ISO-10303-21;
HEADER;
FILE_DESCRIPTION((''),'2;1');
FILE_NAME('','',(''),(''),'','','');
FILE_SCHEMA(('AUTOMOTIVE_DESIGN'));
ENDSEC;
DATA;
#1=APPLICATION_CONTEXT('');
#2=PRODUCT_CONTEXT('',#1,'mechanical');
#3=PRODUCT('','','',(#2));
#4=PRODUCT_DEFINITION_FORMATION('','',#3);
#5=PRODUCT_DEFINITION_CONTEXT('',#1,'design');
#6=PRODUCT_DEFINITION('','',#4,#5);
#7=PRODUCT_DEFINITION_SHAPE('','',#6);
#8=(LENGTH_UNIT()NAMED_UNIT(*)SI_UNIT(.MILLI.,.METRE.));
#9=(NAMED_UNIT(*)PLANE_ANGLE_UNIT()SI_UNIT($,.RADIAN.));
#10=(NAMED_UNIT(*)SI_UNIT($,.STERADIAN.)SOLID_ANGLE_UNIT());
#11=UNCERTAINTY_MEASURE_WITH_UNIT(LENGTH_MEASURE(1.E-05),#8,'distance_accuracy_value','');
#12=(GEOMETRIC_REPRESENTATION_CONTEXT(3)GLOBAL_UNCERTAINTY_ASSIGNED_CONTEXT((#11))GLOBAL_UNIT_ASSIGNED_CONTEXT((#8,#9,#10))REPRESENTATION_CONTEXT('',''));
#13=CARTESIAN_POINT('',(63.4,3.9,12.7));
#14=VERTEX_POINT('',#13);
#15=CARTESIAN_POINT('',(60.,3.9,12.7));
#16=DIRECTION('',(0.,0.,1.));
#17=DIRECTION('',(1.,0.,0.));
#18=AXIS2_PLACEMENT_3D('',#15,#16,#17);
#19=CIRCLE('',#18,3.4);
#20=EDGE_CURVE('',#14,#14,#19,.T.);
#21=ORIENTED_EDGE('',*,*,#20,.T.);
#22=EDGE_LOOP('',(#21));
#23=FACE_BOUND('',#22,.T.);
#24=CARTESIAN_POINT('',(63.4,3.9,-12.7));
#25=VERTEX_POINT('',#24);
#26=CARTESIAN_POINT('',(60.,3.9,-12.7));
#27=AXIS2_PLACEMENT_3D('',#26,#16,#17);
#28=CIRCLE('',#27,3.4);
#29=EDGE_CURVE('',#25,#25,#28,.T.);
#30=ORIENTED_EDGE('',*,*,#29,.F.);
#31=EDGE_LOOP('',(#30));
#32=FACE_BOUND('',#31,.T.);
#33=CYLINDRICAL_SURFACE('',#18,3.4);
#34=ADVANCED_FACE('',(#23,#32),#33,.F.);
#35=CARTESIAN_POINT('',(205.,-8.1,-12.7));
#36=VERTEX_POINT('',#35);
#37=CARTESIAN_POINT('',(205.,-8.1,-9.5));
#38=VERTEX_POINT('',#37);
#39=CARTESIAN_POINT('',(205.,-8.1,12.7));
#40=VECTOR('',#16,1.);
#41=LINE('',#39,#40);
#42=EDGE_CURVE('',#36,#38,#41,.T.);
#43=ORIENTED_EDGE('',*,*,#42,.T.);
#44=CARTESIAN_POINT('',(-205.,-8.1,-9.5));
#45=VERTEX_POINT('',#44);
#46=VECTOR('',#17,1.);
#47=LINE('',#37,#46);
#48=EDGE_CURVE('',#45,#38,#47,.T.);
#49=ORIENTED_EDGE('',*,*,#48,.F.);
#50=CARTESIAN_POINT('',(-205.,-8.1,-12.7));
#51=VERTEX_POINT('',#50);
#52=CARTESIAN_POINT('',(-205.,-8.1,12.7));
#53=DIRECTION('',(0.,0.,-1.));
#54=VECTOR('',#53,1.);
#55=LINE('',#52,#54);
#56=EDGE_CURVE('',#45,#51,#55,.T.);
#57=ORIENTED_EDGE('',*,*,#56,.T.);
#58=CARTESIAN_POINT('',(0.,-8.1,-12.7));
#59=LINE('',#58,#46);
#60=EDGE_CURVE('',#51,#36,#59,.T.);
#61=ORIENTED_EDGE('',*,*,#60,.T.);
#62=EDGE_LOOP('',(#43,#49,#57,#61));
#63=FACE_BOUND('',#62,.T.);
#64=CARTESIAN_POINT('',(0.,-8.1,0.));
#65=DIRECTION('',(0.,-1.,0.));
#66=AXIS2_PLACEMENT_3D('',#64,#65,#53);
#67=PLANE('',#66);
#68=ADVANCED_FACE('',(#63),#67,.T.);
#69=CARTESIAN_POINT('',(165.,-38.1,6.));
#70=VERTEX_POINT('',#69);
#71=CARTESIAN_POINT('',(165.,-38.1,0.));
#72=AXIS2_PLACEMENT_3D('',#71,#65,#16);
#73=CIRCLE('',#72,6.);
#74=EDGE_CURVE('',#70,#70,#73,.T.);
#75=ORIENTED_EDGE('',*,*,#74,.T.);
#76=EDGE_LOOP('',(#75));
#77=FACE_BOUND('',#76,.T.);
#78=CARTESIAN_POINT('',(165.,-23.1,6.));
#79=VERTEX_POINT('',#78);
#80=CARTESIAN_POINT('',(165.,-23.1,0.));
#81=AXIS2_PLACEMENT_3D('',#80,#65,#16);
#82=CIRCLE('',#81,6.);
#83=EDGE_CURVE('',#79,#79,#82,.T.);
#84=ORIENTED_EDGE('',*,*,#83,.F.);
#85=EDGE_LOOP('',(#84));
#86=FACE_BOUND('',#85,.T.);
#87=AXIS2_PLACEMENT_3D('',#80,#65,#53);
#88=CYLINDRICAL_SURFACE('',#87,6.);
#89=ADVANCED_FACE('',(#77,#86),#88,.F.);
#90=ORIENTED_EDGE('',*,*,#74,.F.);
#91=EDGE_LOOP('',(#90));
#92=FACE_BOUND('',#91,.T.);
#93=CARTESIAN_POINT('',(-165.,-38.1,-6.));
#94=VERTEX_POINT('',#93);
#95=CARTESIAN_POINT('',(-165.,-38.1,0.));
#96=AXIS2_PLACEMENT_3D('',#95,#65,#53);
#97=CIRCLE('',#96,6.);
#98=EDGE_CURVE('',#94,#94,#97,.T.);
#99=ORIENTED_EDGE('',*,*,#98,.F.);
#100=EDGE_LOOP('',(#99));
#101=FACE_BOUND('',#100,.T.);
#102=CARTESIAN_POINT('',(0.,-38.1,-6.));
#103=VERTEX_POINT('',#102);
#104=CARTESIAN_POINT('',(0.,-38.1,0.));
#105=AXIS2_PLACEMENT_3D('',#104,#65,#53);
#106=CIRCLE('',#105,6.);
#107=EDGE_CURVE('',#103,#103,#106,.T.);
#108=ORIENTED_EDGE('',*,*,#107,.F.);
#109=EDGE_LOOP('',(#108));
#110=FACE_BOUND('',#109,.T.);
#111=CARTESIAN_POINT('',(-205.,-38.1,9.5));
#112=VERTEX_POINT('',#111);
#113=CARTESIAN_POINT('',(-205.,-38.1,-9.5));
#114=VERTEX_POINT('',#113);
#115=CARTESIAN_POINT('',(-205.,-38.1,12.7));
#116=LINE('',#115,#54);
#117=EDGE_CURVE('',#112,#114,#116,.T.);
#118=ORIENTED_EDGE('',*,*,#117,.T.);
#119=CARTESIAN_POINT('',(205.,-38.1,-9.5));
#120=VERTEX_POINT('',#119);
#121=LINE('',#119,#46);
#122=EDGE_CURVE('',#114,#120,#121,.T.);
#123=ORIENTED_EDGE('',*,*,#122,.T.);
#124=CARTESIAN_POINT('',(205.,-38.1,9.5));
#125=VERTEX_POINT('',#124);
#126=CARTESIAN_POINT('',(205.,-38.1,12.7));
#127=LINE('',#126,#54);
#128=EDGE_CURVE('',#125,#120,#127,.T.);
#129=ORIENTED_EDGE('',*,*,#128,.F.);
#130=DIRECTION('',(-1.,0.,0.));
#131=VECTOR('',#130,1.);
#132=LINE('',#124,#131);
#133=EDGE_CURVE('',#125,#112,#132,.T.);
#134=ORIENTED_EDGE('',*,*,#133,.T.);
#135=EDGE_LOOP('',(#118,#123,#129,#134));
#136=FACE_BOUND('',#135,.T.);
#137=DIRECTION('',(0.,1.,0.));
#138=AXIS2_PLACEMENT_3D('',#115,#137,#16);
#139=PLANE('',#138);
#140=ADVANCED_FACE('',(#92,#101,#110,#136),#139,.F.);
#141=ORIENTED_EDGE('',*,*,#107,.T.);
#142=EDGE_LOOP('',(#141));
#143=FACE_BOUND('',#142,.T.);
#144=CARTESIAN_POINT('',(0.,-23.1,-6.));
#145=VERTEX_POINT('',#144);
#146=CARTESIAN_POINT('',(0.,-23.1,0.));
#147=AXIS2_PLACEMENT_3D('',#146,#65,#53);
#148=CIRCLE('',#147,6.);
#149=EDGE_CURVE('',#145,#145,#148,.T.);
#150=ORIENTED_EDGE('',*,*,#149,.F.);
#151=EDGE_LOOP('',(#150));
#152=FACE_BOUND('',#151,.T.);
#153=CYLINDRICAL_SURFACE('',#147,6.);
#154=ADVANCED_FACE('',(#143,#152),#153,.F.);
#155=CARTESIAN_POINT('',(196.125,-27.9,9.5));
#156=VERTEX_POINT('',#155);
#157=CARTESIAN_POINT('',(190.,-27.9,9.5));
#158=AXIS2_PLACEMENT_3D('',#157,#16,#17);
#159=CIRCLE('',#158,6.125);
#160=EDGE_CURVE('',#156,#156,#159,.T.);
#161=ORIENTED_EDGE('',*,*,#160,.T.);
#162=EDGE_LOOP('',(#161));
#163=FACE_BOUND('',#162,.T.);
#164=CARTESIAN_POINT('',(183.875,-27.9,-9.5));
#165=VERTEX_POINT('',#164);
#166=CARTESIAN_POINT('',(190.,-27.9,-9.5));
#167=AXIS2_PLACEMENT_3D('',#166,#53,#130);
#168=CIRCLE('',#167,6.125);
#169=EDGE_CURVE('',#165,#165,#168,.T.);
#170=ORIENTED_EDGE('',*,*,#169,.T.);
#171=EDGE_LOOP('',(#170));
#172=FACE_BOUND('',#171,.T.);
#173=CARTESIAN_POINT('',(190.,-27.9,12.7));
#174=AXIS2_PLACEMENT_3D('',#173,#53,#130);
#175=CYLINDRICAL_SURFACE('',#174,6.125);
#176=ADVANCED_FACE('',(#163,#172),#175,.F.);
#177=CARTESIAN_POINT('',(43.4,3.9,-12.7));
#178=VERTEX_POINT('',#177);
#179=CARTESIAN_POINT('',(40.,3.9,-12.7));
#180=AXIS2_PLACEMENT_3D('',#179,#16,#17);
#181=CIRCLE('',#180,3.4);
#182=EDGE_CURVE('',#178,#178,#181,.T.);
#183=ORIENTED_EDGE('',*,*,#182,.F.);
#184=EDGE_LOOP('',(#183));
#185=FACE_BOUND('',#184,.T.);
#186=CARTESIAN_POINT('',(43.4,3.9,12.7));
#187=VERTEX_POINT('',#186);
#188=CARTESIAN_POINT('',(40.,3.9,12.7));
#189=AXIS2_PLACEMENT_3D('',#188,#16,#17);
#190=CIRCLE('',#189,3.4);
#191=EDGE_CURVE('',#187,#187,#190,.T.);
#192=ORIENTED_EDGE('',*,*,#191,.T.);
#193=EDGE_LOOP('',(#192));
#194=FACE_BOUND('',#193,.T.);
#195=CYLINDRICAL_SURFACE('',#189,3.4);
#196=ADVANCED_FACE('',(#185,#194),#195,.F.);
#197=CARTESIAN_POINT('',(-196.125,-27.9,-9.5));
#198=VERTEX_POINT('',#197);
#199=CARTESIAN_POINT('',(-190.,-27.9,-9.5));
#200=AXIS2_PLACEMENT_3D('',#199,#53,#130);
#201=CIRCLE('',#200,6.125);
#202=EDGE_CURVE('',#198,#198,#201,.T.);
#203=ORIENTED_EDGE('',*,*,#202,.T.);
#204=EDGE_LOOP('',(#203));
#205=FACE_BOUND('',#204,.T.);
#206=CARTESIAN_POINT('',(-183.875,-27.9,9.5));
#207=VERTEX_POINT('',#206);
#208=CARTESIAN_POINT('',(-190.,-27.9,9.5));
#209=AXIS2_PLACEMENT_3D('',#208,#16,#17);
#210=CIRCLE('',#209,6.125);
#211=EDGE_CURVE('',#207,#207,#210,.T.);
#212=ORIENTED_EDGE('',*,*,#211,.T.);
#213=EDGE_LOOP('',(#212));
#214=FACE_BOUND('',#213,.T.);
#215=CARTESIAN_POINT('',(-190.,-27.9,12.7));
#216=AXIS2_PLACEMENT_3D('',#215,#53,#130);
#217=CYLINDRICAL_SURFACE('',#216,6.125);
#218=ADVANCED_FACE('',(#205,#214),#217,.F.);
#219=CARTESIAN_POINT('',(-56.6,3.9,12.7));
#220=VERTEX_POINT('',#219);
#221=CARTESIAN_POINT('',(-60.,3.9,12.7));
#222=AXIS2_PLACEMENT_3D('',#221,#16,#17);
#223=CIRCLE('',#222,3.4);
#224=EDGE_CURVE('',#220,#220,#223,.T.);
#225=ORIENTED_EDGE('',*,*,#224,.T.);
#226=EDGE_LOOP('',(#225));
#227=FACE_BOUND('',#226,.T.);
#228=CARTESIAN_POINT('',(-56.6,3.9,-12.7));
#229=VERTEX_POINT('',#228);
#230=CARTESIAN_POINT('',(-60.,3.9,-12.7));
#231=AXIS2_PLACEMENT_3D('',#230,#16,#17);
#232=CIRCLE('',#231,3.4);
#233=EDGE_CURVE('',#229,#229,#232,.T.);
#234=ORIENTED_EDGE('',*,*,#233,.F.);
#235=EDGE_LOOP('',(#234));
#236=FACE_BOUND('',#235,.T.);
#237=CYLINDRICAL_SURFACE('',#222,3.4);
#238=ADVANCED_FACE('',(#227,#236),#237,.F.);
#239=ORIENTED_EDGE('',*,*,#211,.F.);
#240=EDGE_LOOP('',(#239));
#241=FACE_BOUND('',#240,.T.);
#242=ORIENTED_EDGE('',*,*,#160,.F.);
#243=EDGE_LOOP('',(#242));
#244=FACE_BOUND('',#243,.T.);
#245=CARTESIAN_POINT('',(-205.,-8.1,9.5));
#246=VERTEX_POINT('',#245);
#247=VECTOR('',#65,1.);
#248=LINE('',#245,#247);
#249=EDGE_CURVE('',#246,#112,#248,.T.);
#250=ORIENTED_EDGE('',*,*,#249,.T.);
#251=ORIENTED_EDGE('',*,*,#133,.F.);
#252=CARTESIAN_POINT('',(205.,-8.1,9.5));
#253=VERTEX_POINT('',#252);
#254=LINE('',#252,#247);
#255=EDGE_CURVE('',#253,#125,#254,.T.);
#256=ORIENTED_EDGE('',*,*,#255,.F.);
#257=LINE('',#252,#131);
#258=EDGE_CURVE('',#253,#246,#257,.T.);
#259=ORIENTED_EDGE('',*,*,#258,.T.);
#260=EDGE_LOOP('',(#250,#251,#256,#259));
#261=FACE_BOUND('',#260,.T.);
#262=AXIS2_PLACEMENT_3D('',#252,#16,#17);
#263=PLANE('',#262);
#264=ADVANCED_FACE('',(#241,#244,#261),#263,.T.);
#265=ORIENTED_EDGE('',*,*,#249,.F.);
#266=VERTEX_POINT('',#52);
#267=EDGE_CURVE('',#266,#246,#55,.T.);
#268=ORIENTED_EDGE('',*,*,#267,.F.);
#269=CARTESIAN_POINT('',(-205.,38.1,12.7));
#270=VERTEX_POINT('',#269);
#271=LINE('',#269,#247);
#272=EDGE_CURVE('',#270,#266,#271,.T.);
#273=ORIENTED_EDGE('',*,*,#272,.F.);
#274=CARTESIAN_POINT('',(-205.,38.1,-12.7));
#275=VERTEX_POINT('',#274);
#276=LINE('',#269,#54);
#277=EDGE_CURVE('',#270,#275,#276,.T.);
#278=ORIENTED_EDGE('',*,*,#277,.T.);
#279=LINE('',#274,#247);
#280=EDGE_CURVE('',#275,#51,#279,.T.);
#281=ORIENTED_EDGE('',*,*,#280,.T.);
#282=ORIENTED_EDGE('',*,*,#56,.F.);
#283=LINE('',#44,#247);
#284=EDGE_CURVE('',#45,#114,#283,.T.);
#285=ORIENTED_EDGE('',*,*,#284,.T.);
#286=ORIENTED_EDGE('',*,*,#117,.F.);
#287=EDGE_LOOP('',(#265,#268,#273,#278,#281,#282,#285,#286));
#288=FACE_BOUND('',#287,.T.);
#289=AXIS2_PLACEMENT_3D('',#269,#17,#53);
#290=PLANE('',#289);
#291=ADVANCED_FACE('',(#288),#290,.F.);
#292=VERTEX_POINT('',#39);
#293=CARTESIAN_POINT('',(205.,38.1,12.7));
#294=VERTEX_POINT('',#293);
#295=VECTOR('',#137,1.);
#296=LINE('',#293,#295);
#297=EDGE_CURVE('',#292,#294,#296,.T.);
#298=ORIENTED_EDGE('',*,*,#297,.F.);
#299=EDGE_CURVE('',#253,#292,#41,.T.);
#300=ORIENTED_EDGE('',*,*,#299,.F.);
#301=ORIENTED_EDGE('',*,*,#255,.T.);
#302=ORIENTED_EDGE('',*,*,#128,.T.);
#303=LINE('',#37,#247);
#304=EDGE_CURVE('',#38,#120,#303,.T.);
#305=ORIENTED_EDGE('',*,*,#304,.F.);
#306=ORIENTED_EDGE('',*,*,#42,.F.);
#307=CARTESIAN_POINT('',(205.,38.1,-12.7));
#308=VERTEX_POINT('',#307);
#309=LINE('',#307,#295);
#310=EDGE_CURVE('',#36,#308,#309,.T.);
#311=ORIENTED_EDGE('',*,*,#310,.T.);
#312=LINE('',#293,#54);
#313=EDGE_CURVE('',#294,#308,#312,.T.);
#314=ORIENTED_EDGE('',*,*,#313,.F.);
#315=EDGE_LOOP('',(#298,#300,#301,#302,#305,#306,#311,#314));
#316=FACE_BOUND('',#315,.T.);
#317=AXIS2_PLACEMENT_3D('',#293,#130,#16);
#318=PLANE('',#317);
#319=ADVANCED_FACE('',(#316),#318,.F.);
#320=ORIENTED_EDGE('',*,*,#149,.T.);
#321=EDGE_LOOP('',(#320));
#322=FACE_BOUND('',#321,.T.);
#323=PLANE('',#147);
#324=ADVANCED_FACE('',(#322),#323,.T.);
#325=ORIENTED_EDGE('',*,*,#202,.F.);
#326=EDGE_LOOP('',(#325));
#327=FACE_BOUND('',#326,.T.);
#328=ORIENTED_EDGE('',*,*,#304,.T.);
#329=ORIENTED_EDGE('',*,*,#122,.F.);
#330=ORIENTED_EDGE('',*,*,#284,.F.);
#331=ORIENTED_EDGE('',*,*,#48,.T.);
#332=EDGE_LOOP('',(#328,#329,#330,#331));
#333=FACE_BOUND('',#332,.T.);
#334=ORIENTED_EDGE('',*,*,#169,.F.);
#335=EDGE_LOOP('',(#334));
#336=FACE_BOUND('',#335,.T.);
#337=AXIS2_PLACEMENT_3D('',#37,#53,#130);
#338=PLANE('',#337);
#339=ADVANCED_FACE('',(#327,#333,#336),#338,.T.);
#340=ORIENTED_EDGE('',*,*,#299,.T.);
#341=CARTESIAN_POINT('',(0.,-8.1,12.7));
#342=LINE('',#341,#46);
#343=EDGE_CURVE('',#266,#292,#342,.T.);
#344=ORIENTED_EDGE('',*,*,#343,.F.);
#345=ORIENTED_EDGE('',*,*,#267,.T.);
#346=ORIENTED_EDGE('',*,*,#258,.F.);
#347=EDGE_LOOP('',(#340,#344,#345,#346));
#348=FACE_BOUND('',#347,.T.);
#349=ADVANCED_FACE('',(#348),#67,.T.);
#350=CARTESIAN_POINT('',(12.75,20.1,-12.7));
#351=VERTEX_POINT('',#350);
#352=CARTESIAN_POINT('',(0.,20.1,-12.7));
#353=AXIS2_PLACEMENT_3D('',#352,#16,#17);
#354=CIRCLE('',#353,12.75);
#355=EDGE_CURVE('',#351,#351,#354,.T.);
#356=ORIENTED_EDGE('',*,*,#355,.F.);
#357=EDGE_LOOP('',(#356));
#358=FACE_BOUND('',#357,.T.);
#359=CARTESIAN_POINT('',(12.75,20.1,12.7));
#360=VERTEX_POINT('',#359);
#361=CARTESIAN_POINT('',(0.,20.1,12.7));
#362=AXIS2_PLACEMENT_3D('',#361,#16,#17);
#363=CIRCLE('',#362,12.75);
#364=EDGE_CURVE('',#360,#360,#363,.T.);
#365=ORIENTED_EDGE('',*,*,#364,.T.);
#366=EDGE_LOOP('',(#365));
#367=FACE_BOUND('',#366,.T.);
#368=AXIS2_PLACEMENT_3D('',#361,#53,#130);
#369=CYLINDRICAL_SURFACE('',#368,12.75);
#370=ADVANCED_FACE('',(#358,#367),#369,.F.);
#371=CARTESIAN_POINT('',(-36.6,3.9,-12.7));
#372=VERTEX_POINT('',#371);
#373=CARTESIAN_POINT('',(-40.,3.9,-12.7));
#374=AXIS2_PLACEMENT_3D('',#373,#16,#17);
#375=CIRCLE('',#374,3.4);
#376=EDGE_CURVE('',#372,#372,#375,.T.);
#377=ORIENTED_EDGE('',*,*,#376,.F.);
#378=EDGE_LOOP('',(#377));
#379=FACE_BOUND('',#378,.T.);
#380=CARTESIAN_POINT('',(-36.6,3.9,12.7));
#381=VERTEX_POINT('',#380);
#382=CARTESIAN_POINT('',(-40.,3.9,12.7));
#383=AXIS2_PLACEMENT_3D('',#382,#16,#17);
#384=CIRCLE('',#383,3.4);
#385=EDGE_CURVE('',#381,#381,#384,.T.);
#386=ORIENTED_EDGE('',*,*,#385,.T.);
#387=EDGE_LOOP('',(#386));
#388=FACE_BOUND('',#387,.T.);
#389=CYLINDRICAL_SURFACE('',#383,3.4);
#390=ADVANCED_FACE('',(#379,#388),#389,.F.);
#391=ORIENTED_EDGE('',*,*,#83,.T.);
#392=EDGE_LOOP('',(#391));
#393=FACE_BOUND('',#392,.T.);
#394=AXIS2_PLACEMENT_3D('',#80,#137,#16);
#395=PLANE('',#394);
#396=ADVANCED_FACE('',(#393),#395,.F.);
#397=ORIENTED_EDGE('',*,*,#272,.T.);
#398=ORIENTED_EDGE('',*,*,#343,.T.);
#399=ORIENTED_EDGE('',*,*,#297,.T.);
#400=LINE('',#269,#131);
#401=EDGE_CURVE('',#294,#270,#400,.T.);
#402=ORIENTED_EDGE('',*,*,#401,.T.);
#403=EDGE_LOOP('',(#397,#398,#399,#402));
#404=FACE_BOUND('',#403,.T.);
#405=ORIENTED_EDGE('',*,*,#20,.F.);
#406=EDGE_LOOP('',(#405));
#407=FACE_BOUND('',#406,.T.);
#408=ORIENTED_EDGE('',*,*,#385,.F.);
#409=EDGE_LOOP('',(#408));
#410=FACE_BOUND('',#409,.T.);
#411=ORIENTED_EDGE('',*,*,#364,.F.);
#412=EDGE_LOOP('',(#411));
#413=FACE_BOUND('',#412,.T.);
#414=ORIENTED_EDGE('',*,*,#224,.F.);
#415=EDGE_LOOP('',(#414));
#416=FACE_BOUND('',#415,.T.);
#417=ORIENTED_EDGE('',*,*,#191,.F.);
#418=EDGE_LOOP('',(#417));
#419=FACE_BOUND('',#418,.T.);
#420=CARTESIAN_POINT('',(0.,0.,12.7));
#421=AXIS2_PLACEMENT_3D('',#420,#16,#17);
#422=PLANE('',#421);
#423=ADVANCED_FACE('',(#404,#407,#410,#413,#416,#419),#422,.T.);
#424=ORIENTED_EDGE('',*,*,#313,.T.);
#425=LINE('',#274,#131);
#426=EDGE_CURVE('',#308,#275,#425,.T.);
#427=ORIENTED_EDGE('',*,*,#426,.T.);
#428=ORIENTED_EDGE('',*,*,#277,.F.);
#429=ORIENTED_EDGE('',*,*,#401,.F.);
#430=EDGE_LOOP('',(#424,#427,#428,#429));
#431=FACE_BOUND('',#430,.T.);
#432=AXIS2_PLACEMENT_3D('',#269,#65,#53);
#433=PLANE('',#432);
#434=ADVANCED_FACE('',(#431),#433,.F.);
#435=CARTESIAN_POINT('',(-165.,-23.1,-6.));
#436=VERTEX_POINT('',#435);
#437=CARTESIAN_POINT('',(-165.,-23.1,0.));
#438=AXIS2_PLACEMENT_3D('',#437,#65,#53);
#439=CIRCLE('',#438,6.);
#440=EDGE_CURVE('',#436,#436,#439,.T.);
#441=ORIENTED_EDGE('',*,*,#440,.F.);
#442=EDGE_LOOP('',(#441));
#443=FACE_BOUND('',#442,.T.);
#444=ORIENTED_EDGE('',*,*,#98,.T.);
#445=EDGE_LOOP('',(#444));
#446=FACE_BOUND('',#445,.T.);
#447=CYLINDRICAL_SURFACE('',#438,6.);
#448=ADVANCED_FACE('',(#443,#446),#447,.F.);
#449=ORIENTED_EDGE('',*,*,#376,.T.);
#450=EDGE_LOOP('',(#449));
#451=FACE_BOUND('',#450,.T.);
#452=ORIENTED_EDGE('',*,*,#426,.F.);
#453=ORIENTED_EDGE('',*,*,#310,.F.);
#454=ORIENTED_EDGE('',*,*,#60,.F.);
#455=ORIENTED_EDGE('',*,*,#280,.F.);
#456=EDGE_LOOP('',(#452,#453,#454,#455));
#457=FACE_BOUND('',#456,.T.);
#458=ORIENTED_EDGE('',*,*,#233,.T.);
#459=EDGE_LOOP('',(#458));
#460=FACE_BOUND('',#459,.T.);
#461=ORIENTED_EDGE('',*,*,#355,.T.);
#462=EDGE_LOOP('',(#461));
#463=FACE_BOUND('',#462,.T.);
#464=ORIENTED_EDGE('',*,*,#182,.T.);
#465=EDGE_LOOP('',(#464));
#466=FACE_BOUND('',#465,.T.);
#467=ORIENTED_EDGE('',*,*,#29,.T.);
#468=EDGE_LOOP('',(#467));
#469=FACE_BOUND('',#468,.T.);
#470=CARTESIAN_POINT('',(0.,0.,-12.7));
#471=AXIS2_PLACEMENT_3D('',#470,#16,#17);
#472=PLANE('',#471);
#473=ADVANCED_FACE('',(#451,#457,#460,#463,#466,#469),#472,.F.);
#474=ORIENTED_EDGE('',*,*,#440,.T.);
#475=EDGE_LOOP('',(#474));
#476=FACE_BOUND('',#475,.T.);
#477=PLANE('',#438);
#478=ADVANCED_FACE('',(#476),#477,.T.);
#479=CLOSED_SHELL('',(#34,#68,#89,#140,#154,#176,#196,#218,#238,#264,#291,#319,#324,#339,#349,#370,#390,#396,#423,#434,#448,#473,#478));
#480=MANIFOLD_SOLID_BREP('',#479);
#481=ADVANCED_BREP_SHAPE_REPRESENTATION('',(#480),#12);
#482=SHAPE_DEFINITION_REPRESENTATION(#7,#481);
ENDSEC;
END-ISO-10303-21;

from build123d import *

# Parameters (mm, degrees)
SKETCH1_W           = 410
SKETCH1_H           = 76.2
SKETCH1_R           = 12.75
SKETCH1_R_2         = 6.125
BOSS_EXTRUDE1_DEPTH = 12.7
SKETCH2_R           = 6
CUT_EXTRUDE1_DEPTH  = 15
SKETCH4_OUTSIDE_W   = 495.558
SKETCH4_OUTSIDE_H   = 110.958
SKETCH4_OUTSIDE_W_2 = 410
SKETCH4_OUTSIDE_H_2 = 19
CUT_EXTRUDE2_DEPTH  = 30
M8_TAPPED_HOLE1_D   = 6.8


with BuildPart() as part:
    # Sketch1 → Boss-Extrude1 (new body, symmetric)
    with BuildSketch(Plane.XY):
        Rectangle(SKETCH1_W, SKETCH1_H)
        with Locations((0, 20.1)):
            Circle(SKETCH1_R, mode=Mode.SUBTRACT)
        with Locations((190, -27.9)):
            Circle(SKETCH1_R_2, mode=Mode.SUBTRACT)
        with Locations((-190, -27.9)):
            Circle(SKETCH1_R_2, mode=Mode.SUBTRACT)
    extrude(amount=BOSS_EXTRUDE1_DEPTH, both=True)

    # Sketch2 → Cut-Extrude1 (cut)
    with BuildSketch(Plane.XZ.offset(38.1)):
        Circle(SKETCH2_R)
        with Locations((-165, 0)):
            Circle(SKETCH2_R)
        with Locations((165, 0)):
            Circle(SKETCH2_R)
    extrude(amount=-CUT_EXTRUDE1_DEPTH, mode=Mode.SUBTRACT)

    # Sketch4 outside → Cut-Extrude2 (cut)
    with BuildSketch(Plane.XZ.offset(38.1)):
        Rectangle(SKETCH4_OUTSIDE_W, SKETCH4_OUTSIDE_H)
        Rectangle(SKETCH4_OUTSIDE_W_2, SKETCH4_OUTSIDE_H_2, mode=Mode.SUBTRACT)
    extrude(amount=-CUT_EXTRUDE2_DEPTH, mode=Mode.SUBTRACT)

    # M8 Tapped Hole1 (through all)
    with Locations(Plane.XY.offset(12.7)):
        with Locations((-60, 3.9), (-40, 3.9), (40, 3.9), (60, 3.9)):
            Hole(M8_TAPPED_HOLE1_D / 2)


solid = part.part
